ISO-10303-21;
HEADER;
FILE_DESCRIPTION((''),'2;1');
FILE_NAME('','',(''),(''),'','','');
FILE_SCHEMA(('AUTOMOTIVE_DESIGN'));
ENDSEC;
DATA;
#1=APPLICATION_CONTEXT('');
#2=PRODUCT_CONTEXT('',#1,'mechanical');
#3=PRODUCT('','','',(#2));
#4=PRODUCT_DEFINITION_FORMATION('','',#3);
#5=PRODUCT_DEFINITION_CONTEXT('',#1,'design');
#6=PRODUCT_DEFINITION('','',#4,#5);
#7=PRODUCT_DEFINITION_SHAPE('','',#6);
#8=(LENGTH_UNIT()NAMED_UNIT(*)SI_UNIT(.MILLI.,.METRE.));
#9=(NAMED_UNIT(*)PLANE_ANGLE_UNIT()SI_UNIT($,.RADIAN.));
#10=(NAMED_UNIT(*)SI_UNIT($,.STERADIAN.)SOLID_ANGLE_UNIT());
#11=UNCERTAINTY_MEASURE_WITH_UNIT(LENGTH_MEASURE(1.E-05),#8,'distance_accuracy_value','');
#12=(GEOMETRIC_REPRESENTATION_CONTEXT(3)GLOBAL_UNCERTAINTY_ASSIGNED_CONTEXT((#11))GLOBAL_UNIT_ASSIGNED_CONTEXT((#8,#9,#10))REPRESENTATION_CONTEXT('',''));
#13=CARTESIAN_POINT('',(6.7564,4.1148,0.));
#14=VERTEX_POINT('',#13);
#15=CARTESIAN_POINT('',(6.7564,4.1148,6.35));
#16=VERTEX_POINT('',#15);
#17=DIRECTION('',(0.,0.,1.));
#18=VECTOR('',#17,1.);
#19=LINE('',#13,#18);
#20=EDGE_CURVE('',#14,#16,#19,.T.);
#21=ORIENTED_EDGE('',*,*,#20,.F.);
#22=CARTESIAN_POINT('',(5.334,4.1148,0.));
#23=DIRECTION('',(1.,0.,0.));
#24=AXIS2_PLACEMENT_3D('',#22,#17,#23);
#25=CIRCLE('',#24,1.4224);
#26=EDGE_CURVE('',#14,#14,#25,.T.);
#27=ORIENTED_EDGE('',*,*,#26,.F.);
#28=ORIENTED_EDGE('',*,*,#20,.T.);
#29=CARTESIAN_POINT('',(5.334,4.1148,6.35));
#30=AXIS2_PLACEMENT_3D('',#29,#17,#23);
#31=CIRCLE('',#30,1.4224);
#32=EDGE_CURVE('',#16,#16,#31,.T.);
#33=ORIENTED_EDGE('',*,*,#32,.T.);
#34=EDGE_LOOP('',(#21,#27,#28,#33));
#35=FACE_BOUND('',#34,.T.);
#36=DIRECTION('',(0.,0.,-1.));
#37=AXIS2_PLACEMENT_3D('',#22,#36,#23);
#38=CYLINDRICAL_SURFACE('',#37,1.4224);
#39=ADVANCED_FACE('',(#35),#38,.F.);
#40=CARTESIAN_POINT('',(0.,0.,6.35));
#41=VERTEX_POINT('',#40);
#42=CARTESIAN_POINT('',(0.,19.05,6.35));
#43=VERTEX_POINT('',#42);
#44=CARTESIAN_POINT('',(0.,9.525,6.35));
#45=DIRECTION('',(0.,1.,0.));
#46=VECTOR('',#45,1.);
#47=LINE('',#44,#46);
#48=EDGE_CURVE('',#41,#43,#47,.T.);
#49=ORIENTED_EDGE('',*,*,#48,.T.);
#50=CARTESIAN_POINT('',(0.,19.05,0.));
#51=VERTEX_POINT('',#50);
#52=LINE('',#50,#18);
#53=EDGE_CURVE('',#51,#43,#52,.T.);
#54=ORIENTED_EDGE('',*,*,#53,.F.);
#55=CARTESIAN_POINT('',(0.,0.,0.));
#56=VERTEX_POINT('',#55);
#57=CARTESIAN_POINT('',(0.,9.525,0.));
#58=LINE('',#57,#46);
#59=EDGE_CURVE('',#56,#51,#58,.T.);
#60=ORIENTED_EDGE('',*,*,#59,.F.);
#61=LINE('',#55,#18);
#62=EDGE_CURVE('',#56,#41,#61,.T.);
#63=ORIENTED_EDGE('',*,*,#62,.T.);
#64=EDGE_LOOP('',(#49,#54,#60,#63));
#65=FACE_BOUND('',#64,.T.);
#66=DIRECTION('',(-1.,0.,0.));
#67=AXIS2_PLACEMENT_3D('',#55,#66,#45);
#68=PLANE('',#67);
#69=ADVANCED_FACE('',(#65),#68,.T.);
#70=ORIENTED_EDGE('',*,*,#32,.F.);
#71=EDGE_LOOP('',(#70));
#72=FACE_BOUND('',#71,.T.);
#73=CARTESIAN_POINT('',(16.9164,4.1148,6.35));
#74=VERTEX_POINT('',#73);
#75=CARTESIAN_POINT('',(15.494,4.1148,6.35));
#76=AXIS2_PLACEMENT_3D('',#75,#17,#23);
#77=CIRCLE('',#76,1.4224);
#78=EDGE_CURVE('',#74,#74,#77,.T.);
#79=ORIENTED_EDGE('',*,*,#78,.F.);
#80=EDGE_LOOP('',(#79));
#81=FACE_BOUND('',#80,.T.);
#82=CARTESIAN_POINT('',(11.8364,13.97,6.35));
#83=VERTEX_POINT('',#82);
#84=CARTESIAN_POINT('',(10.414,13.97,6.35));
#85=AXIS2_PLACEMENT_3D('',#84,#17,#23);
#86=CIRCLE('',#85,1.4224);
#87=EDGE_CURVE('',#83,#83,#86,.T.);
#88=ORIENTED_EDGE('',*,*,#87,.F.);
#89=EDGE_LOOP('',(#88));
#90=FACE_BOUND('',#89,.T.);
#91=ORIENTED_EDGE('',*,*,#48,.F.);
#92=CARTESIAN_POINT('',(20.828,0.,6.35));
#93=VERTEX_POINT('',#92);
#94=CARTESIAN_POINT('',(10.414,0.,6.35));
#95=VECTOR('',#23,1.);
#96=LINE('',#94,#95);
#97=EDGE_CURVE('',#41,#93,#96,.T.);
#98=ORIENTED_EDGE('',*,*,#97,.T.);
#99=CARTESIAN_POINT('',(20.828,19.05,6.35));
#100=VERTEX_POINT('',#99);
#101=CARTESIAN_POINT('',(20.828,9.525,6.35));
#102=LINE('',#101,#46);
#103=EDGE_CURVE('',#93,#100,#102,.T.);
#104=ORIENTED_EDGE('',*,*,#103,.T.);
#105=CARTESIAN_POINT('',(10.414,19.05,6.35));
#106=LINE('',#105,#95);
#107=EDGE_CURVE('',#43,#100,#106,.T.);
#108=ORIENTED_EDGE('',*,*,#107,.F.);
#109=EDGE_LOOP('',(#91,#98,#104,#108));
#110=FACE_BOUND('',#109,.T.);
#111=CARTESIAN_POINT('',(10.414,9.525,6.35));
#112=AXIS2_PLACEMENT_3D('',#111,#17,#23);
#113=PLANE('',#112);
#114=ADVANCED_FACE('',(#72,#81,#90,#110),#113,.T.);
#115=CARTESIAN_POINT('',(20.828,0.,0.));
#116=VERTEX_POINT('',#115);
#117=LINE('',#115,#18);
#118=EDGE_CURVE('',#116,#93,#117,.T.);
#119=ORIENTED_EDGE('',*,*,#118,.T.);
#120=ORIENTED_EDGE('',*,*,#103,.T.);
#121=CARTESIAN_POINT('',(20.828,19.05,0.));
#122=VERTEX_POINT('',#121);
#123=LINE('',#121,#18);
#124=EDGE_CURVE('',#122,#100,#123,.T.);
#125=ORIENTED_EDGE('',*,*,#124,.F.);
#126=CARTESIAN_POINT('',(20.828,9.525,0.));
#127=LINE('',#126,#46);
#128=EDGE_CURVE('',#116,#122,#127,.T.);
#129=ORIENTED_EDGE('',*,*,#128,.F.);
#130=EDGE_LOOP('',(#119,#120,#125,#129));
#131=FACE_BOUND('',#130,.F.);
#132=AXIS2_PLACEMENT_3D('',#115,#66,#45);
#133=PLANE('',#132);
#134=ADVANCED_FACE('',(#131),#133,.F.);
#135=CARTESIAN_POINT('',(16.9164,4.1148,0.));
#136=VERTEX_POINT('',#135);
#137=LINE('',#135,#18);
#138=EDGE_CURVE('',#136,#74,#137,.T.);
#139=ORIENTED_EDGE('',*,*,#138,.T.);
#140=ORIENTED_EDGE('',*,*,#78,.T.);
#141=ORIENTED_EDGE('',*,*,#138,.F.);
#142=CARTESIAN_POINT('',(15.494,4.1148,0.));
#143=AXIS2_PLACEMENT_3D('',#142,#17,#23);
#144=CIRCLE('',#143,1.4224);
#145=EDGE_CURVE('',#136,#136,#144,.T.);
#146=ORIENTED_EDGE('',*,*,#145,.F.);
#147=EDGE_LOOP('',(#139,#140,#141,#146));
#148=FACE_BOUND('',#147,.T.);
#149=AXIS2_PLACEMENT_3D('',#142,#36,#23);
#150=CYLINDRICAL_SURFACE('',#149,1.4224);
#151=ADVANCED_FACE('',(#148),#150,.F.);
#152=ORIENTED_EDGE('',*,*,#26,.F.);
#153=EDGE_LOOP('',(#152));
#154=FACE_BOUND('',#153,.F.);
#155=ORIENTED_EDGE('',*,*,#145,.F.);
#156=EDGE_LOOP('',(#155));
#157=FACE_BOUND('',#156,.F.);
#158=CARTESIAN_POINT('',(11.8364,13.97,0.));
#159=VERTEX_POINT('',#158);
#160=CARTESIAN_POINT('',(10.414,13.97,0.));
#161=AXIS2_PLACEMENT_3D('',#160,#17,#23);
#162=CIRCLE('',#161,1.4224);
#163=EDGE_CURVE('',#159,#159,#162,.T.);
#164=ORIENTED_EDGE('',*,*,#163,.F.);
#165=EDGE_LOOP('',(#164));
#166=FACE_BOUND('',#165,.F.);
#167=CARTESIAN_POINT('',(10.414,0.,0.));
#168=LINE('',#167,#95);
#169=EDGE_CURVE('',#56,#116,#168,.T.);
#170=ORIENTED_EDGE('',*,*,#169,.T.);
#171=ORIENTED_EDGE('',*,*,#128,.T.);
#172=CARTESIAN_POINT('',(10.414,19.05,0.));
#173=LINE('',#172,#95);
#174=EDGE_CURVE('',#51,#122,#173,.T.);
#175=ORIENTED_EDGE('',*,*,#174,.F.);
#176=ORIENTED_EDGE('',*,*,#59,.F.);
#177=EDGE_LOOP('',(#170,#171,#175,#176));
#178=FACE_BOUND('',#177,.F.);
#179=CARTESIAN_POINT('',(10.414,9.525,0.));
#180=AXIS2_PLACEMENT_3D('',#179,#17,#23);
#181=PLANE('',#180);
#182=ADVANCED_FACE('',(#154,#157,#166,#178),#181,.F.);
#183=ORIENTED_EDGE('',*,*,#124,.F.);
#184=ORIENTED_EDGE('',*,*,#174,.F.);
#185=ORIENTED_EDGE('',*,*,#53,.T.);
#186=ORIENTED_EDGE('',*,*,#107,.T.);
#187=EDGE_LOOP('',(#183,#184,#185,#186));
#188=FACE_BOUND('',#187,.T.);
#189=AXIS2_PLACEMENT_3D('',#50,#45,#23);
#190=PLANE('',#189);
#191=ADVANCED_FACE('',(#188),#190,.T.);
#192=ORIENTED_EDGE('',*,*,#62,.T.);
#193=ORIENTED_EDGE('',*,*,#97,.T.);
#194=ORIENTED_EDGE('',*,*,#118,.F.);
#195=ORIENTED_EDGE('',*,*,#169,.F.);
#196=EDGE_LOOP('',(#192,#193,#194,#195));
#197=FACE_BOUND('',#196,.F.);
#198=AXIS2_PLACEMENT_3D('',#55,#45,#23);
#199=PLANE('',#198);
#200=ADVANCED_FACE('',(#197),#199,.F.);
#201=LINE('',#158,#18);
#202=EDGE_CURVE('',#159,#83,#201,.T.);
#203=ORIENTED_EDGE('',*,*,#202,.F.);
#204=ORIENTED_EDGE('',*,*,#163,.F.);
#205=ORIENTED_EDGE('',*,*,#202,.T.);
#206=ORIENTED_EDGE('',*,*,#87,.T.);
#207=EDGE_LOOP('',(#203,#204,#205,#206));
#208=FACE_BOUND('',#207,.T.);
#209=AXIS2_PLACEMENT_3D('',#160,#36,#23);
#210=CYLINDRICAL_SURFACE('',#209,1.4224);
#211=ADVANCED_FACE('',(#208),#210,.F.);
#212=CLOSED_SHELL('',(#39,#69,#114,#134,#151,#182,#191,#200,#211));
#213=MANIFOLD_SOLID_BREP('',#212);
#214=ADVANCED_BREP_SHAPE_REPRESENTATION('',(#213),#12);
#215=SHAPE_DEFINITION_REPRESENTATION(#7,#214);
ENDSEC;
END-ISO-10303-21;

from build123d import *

# Parameters (mm, degrees)
F0_W     = 20.828
F0_H     = 19.05
F0_R     = 1.4224
F1_DEPTH = 6.35


with BuildPart() as f1:
    # F0 (on Top) → F1 (new body)
    with BuildSketch(Plane.XY):
        with Locations((10.414, 9.525)):
            Rectangle(F0_W, F0_H)
        with Locations((5.334, 4.1148)):
            Circle(F0_R, mode=Mode.SUBTRACT)
        with Locations((15.494, 4.1148)):
            Circle(F0_R, mode=Mode.SUBTRACT)
        with Locations((10.414, 13.97)):
            Circle(F0_R, mode=Mode.SUBTRACT)
    extrude(amount=F1_DEPTH)


solid = f1.part
